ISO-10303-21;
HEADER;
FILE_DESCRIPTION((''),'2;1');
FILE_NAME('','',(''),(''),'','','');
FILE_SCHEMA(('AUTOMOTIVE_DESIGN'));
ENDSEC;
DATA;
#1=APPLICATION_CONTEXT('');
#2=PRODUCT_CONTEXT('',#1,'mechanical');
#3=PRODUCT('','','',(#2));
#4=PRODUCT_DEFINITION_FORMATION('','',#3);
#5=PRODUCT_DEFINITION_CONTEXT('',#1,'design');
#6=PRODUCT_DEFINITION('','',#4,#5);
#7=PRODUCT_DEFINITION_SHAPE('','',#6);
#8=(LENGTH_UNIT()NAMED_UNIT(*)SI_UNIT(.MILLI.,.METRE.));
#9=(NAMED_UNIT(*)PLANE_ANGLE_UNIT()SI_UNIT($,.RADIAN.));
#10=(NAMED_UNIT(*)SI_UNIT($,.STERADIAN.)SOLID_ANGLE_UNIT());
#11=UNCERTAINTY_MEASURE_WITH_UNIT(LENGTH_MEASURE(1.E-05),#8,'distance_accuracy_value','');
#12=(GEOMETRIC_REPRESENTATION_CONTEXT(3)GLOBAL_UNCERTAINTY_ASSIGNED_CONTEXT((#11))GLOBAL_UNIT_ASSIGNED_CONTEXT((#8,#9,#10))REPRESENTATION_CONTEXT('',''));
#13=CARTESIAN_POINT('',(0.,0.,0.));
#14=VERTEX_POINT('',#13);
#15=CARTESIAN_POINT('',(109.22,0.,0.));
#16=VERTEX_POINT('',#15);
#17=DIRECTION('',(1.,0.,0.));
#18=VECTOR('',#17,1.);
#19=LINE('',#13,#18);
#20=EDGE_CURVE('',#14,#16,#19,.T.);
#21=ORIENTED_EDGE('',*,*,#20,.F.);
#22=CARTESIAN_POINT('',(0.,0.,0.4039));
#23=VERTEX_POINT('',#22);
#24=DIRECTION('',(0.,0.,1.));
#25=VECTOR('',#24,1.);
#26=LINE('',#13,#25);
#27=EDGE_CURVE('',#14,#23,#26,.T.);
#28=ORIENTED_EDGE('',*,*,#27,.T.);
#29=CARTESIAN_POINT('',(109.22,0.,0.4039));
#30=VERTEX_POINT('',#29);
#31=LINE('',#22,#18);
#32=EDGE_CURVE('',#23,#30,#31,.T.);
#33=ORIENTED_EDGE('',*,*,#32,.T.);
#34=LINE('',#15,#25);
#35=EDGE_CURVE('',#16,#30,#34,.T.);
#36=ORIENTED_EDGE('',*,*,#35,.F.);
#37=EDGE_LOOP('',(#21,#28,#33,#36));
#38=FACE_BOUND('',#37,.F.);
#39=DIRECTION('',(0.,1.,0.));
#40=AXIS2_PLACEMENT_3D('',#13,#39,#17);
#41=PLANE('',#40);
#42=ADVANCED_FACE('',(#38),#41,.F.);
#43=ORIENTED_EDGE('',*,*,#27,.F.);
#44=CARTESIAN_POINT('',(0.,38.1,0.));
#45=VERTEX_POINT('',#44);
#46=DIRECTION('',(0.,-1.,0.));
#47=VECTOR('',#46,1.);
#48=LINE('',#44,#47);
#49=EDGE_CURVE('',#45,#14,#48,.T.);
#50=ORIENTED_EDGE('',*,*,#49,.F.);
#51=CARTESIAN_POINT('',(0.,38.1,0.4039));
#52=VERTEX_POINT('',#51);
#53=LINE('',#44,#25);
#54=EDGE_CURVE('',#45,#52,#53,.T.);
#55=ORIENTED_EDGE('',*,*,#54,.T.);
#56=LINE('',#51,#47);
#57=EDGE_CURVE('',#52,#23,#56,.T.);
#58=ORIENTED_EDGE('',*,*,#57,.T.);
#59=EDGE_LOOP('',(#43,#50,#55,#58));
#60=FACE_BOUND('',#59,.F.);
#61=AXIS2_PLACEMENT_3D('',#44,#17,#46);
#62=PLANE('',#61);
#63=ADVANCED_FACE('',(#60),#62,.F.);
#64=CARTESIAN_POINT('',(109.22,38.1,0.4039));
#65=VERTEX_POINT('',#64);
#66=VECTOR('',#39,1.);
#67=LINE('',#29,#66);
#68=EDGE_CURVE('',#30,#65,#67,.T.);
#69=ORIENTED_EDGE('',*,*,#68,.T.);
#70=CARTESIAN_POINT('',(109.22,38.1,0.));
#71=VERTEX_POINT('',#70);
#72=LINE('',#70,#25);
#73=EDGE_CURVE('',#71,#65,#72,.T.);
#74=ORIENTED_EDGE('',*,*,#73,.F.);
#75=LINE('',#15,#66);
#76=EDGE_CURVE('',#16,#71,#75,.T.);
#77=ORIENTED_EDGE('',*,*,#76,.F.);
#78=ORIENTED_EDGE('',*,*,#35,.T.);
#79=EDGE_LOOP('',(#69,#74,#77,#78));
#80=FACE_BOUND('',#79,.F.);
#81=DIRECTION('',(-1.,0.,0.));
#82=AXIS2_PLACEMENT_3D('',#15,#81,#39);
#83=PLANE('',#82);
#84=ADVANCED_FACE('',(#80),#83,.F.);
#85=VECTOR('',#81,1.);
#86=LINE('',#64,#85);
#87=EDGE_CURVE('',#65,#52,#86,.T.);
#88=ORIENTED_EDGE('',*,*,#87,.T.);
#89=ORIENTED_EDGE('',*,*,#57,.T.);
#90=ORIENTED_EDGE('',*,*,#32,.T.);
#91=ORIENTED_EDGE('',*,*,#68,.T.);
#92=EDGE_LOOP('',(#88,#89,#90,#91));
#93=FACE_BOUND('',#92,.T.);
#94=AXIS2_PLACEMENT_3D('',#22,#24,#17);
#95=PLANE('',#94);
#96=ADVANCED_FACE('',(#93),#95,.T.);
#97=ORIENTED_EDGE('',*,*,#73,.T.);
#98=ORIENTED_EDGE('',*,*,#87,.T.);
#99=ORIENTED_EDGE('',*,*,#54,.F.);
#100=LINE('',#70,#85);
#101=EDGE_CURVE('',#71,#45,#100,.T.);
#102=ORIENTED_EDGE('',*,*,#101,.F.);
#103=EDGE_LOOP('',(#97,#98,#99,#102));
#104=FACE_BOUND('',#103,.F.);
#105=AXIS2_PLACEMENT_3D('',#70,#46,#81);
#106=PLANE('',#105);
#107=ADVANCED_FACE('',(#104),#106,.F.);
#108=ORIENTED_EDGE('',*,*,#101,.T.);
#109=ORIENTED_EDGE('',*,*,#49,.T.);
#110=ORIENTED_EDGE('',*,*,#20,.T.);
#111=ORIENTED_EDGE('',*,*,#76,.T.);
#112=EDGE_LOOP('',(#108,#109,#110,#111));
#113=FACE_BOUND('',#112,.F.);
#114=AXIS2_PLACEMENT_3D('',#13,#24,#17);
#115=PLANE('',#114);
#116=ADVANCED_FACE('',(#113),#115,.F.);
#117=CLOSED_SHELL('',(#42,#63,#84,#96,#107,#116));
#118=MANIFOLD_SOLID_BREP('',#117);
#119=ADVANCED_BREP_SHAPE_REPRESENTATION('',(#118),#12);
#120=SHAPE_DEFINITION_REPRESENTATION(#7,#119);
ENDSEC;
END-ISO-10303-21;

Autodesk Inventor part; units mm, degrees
ref_plane "YZ Plane" through (0, 0, 0) normal (1, 0, 0) x (0, 1, 0)
ref_plane "XZ Plane" through (0, 0, 0) normal (0, 1, 0) x (-1, 0, 0)
ref_plane "XY Plane" through (0, 0, 0) normal (0, 0, 1) x (1, 0, 0)
sketch "Sketch1" plane through (0, 0, 0) normal (0, 0, 1) x (1, 0, 0)
  line L0 (0, 0) -> (109.22, 0)
  line L1 (109.22, 0) -> (109.22, 38.1)
  line L2 (109.22, 38.1) -> (0, 38.1)
  line L3 (0, 38.1) -> (0, 0)
  dimension "d0" = 109.22
  dimension "d2" = 38.1
extrude "Extrusion1" add sketch "Sketch1" along normal blind 0.4039
properties part number "Plate_Rear_Alu25" material "Aluminum 6061"
